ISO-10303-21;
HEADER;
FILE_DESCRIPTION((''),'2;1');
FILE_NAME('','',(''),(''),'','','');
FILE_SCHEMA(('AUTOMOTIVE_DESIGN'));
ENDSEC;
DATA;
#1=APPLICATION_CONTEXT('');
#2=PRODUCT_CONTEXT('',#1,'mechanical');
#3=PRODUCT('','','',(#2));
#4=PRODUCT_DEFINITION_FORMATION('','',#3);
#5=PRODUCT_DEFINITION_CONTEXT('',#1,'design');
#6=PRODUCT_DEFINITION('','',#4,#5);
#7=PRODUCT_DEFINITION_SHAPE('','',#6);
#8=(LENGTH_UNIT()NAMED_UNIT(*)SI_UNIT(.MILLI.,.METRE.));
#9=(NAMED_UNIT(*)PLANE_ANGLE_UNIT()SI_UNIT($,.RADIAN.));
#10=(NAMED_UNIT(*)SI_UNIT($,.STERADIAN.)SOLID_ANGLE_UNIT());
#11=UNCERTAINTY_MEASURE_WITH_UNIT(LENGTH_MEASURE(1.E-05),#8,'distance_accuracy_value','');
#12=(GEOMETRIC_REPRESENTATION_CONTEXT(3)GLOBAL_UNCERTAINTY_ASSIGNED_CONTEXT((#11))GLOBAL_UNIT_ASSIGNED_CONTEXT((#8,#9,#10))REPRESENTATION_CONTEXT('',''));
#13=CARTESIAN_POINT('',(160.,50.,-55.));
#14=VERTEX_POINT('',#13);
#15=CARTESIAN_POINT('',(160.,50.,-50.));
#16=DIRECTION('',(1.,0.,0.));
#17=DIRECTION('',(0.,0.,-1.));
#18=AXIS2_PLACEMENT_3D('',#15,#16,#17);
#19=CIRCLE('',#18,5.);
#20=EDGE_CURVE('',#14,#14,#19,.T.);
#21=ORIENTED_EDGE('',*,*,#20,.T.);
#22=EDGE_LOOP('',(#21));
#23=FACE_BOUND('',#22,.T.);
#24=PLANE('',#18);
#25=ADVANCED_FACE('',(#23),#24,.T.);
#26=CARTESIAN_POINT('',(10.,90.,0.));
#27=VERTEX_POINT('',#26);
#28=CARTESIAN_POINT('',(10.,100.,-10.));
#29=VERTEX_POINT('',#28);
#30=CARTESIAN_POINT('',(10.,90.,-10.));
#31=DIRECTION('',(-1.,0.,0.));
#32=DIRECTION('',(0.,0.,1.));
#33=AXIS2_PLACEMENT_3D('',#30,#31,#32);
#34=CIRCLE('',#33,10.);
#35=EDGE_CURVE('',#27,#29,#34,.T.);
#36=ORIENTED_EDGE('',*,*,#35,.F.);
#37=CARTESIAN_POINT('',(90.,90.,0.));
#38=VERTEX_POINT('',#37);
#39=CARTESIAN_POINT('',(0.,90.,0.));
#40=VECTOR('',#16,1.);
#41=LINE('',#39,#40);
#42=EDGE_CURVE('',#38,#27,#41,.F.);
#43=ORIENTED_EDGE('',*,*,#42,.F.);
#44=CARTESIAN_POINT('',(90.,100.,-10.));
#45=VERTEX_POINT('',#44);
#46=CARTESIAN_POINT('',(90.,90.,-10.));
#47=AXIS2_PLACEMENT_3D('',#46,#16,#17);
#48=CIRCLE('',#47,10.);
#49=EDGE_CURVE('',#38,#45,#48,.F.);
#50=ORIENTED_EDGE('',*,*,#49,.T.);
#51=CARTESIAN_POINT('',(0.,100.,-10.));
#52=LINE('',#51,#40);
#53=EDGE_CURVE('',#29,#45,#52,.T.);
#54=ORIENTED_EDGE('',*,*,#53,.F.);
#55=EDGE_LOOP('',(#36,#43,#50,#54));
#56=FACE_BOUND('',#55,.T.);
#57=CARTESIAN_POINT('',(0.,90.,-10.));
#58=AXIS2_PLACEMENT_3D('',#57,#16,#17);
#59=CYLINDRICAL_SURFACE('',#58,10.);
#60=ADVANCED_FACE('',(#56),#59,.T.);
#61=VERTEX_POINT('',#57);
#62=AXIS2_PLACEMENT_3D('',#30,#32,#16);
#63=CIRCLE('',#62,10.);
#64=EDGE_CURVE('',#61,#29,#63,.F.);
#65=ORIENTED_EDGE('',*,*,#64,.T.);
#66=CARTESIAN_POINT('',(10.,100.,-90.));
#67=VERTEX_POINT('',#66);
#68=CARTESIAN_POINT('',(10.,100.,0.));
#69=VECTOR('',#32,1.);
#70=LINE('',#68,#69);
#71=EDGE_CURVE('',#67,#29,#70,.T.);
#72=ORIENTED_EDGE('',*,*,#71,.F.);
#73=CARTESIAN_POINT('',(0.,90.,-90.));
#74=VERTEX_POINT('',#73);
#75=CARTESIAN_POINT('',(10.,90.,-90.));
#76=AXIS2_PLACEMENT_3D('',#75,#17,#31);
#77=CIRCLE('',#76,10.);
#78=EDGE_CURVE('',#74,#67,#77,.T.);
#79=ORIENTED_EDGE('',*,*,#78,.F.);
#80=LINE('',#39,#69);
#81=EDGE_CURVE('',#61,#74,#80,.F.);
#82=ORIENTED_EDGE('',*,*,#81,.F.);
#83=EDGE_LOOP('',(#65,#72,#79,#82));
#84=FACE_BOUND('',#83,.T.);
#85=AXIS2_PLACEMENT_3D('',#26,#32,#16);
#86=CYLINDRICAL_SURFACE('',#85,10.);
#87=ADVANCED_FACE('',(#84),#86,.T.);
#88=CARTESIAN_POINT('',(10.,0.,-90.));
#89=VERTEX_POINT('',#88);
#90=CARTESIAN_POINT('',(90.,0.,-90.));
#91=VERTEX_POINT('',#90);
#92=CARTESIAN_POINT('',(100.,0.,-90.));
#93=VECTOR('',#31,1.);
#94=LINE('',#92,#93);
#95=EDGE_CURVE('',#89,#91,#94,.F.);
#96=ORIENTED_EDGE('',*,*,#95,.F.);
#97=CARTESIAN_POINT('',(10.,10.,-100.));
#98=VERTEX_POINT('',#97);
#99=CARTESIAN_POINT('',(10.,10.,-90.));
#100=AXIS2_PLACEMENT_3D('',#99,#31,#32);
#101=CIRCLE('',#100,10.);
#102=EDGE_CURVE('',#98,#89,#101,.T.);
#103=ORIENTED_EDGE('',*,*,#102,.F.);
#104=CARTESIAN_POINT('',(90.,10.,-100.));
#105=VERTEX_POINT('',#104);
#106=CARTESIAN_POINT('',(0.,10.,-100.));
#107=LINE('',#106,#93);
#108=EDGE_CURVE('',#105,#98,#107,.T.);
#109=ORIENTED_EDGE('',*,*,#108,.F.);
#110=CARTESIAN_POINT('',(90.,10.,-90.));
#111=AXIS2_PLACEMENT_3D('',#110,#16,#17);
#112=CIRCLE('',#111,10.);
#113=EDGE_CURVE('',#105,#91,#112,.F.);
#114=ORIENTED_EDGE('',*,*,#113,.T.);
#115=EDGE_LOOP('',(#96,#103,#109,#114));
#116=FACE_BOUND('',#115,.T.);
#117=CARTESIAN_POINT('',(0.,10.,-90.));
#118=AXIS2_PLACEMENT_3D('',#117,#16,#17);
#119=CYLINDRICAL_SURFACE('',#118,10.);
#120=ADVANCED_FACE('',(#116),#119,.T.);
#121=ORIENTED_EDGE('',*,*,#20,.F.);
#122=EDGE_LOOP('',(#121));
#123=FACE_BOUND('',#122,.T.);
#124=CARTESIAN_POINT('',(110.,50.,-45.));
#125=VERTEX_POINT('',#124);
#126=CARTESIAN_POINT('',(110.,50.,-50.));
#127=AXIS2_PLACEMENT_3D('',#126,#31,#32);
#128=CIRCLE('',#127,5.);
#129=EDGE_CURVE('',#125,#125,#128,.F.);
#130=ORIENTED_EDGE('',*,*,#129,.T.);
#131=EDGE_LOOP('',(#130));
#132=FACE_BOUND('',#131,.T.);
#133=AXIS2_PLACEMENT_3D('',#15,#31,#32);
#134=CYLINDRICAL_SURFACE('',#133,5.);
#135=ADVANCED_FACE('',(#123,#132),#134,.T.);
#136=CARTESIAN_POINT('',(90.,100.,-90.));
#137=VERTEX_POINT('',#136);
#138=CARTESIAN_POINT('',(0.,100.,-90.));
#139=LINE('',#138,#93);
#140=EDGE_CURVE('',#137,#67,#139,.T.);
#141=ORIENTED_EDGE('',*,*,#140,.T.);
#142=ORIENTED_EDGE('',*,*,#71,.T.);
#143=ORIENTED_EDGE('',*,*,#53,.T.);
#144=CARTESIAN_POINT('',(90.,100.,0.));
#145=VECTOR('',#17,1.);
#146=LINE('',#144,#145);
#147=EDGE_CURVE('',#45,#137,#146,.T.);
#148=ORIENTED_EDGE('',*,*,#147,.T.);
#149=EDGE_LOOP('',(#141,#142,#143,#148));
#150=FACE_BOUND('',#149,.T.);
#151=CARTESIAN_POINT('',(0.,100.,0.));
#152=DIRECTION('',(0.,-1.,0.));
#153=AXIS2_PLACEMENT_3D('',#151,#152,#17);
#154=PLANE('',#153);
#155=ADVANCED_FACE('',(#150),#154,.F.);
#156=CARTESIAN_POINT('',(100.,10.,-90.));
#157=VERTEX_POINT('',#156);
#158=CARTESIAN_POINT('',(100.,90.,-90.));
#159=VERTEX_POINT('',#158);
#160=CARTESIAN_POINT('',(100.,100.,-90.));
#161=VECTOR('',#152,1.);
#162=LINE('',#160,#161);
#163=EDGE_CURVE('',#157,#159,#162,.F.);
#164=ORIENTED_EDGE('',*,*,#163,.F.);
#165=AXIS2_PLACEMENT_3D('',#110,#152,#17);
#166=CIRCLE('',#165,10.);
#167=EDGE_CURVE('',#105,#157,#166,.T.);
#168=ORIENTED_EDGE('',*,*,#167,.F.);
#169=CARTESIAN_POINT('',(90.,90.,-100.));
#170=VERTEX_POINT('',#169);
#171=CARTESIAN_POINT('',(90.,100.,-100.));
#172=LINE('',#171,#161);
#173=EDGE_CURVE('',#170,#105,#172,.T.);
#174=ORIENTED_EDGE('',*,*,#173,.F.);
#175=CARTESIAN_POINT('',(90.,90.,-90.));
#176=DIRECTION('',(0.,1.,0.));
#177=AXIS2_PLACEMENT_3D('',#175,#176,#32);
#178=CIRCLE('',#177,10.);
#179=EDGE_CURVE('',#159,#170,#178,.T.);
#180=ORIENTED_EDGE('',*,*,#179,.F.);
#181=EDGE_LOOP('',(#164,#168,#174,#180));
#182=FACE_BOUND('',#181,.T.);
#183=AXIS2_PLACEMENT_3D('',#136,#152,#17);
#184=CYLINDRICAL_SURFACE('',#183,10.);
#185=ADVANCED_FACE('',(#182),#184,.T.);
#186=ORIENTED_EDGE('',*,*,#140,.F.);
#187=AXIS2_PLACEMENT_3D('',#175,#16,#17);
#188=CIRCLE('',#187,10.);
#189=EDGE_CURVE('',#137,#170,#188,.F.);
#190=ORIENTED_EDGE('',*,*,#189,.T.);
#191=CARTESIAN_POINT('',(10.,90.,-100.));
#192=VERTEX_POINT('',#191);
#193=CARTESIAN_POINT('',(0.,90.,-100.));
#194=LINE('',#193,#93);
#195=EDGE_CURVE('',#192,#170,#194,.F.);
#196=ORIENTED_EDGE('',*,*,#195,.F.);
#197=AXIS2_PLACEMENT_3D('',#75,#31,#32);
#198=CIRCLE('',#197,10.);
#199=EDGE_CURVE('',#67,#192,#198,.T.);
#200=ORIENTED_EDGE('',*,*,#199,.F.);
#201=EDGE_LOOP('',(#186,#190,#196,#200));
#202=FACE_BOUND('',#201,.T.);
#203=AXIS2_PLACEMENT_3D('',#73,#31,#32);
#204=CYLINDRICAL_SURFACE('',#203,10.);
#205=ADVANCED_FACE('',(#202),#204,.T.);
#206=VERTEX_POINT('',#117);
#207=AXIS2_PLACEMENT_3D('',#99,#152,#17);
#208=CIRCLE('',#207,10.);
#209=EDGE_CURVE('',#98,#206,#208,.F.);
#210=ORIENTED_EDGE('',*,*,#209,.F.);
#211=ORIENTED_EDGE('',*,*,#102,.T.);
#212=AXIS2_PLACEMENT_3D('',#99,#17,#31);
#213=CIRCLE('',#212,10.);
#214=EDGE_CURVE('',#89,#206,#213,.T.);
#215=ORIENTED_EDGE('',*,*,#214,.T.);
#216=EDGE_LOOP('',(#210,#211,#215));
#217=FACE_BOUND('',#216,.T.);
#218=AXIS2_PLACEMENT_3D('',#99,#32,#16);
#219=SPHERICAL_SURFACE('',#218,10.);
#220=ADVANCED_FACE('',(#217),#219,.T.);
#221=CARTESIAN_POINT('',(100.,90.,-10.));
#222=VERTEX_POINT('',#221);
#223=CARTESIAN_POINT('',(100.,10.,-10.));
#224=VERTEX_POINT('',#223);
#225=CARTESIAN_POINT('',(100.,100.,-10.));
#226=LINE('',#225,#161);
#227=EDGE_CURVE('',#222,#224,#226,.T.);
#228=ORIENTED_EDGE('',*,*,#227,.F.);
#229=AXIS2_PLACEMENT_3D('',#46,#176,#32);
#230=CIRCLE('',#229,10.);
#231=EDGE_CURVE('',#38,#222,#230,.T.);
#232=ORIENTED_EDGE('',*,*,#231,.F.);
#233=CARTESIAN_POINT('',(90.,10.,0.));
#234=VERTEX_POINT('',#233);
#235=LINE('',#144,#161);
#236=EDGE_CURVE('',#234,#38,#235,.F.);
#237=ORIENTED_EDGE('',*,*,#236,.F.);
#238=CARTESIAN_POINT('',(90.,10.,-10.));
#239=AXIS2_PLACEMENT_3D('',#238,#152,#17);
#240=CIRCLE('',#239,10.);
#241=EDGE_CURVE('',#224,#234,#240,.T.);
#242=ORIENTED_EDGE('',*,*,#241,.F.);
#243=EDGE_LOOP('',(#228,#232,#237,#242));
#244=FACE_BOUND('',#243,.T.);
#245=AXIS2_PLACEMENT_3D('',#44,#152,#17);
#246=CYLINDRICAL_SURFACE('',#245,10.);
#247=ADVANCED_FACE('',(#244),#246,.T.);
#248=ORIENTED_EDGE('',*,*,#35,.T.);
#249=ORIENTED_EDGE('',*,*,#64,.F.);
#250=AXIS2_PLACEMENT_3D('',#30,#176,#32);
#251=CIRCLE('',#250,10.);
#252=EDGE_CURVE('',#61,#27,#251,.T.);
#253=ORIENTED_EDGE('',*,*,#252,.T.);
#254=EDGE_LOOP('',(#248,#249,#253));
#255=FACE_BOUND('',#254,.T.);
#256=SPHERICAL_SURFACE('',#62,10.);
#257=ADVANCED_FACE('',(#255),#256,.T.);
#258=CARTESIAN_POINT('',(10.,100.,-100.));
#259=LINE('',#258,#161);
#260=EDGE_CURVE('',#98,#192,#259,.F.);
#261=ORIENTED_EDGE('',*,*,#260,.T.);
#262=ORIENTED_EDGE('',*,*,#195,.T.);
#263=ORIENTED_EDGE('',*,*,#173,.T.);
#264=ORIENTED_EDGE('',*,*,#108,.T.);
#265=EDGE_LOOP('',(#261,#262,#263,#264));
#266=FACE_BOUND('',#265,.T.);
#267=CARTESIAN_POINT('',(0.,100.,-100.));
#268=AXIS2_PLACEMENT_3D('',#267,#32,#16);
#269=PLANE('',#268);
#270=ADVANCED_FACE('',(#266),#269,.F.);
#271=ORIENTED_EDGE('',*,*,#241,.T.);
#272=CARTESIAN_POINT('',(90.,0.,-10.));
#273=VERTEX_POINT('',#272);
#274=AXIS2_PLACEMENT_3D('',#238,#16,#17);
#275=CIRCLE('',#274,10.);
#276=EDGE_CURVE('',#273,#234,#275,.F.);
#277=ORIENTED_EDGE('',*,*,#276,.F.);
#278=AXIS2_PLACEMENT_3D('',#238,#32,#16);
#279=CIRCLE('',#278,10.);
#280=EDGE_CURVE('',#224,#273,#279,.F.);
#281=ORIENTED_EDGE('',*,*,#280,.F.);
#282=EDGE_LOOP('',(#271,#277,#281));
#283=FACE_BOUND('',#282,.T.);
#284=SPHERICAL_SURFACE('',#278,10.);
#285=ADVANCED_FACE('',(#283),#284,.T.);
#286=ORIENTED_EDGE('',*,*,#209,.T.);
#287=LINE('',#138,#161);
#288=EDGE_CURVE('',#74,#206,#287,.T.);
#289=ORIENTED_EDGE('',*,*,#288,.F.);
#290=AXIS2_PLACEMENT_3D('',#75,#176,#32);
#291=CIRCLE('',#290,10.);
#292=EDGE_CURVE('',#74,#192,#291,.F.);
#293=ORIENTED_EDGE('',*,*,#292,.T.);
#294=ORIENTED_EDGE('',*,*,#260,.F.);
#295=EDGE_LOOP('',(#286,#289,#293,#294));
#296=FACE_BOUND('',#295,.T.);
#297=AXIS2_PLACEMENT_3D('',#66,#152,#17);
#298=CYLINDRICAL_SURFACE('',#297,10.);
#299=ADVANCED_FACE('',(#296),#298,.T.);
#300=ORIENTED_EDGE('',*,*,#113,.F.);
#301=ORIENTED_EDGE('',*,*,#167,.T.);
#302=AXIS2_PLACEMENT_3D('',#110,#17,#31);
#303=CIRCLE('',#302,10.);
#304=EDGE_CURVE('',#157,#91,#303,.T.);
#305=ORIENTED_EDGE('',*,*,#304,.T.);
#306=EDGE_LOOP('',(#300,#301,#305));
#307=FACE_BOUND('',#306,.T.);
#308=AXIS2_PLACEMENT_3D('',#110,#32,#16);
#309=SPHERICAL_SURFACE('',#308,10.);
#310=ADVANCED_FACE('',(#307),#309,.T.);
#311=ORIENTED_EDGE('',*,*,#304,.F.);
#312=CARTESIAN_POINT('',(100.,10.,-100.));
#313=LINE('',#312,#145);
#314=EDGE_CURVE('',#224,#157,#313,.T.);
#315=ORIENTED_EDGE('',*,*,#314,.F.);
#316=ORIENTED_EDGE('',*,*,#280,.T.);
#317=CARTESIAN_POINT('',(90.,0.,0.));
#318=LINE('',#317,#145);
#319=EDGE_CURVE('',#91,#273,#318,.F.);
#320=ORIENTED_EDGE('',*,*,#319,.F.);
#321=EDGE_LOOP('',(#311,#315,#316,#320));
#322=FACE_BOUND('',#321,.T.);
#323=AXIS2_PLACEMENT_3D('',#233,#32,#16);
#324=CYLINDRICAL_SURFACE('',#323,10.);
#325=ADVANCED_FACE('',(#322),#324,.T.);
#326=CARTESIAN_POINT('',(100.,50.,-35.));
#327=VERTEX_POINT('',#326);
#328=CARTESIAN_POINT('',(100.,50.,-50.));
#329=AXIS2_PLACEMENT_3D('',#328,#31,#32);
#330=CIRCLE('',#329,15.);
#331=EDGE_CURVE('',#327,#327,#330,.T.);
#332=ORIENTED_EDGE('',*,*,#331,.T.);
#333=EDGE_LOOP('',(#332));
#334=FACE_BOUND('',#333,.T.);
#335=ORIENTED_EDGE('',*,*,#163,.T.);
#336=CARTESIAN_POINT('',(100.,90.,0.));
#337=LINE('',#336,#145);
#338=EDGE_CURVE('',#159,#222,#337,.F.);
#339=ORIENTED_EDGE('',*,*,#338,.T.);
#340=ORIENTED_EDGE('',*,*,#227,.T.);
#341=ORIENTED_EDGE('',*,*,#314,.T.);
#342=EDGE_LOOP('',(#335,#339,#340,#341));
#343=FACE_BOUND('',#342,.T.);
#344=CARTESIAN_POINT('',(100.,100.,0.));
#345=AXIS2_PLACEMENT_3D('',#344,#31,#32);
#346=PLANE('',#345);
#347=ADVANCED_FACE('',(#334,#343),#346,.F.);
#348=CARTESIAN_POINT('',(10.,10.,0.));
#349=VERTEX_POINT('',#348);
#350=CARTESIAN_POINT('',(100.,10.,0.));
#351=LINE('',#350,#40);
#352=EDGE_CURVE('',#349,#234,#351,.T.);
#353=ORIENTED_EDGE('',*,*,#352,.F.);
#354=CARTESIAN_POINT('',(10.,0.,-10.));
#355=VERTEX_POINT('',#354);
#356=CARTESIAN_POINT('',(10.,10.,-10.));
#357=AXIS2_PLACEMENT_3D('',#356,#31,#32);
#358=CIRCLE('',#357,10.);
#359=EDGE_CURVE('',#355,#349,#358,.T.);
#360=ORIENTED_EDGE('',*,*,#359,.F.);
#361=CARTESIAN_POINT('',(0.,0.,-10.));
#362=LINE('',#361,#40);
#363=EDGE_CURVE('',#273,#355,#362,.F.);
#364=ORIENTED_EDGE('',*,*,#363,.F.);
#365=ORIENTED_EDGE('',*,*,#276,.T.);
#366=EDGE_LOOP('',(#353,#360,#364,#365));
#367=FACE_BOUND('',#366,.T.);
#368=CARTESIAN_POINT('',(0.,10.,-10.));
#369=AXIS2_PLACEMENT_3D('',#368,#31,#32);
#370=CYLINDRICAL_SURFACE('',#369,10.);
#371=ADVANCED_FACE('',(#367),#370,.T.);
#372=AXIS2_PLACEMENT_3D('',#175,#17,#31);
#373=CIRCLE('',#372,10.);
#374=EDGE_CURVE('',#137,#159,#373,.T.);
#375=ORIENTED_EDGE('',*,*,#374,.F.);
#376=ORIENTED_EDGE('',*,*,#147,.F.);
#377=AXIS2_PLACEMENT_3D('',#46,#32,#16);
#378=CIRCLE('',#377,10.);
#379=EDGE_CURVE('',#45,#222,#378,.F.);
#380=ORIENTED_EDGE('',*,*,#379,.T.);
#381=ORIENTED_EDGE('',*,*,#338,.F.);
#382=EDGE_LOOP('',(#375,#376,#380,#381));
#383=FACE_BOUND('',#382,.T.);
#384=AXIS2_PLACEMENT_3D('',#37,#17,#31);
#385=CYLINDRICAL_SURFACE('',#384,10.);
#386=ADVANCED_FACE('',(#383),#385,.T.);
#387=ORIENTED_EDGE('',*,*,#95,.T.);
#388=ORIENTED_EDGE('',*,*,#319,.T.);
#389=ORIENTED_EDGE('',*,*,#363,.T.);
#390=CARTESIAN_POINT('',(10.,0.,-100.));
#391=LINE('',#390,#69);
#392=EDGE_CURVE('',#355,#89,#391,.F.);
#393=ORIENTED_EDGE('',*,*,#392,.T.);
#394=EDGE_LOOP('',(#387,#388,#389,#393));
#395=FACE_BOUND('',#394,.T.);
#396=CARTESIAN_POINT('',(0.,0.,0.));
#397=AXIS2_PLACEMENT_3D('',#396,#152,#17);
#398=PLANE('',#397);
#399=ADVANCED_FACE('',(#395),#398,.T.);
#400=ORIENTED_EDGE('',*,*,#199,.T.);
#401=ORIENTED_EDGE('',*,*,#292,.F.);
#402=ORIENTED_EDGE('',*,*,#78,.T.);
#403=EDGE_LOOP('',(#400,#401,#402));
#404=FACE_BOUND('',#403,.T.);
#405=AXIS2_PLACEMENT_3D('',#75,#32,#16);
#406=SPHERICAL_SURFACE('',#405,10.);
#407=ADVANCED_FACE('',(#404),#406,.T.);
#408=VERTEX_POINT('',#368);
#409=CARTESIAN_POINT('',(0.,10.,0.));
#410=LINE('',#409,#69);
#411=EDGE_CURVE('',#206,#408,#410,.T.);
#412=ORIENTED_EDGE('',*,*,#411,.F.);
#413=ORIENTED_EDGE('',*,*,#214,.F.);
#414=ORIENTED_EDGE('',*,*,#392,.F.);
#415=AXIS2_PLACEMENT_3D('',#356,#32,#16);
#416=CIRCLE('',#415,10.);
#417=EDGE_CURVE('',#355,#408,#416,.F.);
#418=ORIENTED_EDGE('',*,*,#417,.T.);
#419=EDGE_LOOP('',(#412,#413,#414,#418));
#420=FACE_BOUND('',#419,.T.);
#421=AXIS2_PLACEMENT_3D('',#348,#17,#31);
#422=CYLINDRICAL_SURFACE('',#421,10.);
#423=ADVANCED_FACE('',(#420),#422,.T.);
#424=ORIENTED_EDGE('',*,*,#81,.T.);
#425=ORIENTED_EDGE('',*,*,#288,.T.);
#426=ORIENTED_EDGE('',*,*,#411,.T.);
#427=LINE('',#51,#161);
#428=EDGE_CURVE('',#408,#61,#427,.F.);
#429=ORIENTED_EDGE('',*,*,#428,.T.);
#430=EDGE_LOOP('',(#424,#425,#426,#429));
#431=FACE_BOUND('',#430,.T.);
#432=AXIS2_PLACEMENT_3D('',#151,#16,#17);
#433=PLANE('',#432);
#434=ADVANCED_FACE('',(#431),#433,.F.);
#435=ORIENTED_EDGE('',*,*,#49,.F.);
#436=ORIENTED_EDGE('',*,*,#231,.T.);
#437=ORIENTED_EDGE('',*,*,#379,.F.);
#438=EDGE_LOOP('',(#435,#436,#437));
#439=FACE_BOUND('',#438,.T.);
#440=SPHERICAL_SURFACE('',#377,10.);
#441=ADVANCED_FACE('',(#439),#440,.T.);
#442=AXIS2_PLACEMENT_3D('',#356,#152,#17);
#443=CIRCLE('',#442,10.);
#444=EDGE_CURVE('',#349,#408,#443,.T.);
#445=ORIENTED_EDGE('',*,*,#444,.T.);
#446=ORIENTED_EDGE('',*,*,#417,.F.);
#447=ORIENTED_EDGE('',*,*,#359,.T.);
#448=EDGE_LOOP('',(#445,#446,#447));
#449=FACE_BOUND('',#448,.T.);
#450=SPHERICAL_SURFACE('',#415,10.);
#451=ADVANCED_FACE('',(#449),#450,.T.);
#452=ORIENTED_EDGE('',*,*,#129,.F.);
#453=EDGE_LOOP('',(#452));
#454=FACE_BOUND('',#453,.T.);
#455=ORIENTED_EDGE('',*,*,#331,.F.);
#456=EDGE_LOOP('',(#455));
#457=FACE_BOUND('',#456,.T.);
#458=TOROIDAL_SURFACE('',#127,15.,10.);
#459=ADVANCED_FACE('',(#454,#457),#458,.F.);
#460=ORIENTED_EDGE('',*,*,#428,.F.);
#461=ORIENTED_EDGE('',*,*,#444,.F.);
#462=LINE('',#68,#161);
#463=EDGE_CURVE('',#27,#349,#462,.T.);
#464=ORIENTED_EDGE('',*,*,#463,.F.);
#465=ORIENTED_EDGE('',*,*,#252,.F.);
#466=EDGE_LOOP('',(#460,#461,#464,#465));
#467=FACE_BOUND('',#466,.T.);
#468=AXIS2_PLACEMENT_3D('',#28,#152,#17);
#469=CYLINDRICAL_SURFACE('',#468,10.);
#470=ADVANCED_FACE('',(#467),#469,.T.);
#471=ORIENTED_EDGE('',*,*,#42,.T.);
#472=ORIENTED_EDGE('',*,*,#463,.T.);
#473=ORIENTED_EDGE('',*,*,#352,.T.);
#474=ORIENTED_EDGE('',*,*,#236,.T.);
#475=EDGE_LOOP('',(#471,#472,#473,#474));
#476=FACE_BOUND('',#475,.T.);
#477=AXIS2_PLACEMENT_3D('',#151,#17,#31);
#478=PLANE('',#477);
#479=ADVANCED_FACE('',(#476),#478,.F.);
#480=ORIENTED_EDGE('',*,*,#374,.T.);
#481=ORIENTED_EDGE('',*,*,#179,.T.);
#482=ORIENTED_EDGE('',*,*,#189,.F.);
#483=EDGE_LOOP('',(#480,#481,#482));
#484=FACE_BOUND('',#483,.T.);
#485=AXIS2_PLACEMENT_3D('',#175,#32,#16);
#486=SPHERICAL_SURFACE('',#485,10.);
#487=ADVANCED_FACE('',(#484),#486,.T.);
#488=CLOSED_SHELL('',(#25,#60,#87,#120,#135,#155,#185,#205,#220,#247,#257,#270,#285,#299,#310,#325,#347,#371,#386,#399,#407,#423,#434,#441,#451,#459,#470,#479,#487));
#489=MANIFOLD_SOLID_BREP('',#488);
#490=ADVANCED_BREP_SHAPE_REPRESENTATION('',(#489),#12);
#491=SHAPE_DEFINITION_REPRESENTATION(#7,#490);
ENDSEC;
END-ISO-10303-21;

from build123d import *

# Parameters (mm, degrees)
SKETCH2_W           = 100
SKETCH2_H           = 100
BOSS_EXTRUDE1_DEPTH = 100
SKETCH3_R           = 5
BOSS_EXTRUDE2_DEPTH = 60
FILLET5_R           = 10


with BuildPart() as part:
    # Sketch2 → Boss-Extrude1 (new body)
    with BuildSketch(Plane(origin=(0, 0, 0), x_dir=(1, 0, 0), z_dir=(0, 1, 0))):
        with Locations((50, 50)):
            Rectangle(SKETCH2_W, SKETCH2_H)
    extrude(amount=BOSS_EXTRUDE1_DEPTH)

    # Sketch3 → Boss-Extrude2 (add)
    with BuildSketch(Plane(origin=(100, 0, 0), x_dir=(0, 0, -1), z_dir=(1, 0, 0))):
        with Locations((50, 50)):
            Circle(SKETCH3_R)
    extrude(amount=BOSS_EXTRUDE2_DEPTH)

    # Fillet5
    fillet5_edges = [part.edges().sort_by_distance(p)[0] for p in [
        (100, 100, -50),
        (50, 100, -100),
        (100, 50, -45),
        (0, 100, -50),
        (50, 0, -100),
        (100, 0, -50),
        (50, 0, 0),
        (0, 0, -50),
        (50, 100, 0),
        (0, 50, -100),
        (100, 50, -100),
        (100, 50, 0),
        (0, 50, 0),
    ]]
    fillet(fillet5_edges, radius=FILLET5_R)


solid = part.part
